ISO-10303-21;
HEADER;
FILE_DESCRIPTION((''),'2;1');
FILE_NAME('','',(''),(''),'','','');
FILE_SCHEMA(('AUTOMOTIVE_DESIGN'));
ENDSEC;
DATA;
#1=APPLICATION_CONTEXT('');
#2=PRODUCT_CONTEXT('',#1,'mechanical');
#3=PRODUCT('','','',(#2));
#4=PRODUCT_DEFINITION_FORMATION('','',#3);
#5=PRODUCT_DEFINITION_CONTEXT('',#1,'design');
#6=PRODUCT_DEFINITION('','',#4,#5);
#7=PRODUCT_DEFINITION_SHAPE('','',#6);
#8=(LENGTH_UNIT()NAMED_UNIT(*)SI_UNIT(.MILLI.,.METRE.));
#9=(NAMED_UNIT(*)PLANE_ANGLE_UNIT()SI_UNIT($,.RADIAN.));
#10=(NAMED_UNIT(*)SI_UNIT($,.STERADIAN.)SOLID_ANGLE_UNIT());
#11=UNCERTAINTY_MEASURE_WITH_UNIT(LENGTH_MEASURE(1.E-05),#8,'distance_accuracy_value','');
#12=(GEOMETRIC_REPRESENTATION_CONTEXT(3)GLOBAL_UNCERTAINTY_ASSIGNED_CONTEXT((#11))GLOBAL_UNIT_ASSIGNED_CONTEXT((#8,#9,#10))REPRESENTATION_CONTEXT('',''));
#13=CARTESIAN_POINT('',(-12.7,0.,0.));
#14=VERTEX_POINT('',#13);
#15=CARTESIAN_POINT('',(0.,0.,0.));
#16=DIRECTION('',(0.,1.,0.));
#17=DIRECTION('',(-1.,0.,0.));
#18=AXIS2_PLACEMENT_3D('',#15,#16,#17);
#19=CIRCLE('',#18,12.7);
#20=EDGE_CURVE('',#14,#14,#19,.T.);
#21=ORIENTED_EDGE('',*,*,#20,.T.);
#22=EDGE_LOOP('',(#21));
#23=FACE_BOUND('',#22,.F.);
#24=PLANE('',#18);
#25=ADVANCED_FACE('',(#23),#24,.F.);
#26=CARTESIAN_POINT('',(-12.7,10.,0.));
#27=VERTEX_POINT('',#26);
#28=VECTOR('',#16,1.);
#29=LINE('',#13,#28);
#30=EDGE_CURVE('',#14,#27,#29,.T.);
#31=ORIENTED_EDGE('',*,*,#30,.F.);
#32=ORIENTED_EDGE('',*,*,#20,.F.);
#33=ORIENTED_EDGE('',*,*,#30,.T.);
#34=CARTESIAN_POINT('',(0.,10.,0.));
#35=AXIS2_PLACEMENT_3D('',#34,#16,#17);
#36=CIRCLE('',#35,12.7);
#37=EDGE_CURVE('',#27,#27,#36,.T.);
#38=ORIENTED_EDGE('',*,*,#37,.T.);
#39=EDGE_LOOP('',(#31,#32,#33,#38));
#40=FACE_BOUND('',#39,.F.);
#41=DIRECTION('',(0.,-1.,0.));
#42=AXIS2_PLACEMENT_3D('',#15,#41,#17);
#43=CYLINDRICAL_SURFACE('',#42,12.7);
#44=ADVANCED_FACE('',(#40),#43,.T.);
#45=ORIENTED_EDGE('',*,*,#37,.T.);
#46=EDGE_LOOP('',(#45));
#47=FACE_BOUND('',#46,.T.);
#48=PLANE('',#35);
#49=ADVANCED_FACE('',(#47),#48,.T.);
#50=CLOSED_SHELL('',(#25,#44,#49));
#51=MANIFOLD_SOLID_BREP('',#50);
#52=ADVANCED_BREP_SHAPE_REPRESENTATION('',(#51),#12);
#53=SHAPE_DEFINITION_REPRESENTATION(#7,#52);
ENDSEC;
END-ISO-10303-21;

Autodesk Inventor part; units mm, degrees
ref_plane "YZ Plane" through (0, 0, 0) normal (1, 0, 0) x (0, 1, 0)
ref_plane "XZ Plane" through (0, 0, 0) normal (0, 1, 0) x (-1, 0, 0)
ref_plane "XY Plane" through (0, 0, 0) normal (0, 0, 1) x (1, 0, 0)
sketch "Sketch1" plane through (0, 0, 0) normal (0, 1, 0) x (-1, 0, 0)
  circle A0 centre (0, 0) radius 12.7
  dimension "d0" = 25.4
extrude "Extrusion1" add sketch "Sketch1" along normal blind 10
